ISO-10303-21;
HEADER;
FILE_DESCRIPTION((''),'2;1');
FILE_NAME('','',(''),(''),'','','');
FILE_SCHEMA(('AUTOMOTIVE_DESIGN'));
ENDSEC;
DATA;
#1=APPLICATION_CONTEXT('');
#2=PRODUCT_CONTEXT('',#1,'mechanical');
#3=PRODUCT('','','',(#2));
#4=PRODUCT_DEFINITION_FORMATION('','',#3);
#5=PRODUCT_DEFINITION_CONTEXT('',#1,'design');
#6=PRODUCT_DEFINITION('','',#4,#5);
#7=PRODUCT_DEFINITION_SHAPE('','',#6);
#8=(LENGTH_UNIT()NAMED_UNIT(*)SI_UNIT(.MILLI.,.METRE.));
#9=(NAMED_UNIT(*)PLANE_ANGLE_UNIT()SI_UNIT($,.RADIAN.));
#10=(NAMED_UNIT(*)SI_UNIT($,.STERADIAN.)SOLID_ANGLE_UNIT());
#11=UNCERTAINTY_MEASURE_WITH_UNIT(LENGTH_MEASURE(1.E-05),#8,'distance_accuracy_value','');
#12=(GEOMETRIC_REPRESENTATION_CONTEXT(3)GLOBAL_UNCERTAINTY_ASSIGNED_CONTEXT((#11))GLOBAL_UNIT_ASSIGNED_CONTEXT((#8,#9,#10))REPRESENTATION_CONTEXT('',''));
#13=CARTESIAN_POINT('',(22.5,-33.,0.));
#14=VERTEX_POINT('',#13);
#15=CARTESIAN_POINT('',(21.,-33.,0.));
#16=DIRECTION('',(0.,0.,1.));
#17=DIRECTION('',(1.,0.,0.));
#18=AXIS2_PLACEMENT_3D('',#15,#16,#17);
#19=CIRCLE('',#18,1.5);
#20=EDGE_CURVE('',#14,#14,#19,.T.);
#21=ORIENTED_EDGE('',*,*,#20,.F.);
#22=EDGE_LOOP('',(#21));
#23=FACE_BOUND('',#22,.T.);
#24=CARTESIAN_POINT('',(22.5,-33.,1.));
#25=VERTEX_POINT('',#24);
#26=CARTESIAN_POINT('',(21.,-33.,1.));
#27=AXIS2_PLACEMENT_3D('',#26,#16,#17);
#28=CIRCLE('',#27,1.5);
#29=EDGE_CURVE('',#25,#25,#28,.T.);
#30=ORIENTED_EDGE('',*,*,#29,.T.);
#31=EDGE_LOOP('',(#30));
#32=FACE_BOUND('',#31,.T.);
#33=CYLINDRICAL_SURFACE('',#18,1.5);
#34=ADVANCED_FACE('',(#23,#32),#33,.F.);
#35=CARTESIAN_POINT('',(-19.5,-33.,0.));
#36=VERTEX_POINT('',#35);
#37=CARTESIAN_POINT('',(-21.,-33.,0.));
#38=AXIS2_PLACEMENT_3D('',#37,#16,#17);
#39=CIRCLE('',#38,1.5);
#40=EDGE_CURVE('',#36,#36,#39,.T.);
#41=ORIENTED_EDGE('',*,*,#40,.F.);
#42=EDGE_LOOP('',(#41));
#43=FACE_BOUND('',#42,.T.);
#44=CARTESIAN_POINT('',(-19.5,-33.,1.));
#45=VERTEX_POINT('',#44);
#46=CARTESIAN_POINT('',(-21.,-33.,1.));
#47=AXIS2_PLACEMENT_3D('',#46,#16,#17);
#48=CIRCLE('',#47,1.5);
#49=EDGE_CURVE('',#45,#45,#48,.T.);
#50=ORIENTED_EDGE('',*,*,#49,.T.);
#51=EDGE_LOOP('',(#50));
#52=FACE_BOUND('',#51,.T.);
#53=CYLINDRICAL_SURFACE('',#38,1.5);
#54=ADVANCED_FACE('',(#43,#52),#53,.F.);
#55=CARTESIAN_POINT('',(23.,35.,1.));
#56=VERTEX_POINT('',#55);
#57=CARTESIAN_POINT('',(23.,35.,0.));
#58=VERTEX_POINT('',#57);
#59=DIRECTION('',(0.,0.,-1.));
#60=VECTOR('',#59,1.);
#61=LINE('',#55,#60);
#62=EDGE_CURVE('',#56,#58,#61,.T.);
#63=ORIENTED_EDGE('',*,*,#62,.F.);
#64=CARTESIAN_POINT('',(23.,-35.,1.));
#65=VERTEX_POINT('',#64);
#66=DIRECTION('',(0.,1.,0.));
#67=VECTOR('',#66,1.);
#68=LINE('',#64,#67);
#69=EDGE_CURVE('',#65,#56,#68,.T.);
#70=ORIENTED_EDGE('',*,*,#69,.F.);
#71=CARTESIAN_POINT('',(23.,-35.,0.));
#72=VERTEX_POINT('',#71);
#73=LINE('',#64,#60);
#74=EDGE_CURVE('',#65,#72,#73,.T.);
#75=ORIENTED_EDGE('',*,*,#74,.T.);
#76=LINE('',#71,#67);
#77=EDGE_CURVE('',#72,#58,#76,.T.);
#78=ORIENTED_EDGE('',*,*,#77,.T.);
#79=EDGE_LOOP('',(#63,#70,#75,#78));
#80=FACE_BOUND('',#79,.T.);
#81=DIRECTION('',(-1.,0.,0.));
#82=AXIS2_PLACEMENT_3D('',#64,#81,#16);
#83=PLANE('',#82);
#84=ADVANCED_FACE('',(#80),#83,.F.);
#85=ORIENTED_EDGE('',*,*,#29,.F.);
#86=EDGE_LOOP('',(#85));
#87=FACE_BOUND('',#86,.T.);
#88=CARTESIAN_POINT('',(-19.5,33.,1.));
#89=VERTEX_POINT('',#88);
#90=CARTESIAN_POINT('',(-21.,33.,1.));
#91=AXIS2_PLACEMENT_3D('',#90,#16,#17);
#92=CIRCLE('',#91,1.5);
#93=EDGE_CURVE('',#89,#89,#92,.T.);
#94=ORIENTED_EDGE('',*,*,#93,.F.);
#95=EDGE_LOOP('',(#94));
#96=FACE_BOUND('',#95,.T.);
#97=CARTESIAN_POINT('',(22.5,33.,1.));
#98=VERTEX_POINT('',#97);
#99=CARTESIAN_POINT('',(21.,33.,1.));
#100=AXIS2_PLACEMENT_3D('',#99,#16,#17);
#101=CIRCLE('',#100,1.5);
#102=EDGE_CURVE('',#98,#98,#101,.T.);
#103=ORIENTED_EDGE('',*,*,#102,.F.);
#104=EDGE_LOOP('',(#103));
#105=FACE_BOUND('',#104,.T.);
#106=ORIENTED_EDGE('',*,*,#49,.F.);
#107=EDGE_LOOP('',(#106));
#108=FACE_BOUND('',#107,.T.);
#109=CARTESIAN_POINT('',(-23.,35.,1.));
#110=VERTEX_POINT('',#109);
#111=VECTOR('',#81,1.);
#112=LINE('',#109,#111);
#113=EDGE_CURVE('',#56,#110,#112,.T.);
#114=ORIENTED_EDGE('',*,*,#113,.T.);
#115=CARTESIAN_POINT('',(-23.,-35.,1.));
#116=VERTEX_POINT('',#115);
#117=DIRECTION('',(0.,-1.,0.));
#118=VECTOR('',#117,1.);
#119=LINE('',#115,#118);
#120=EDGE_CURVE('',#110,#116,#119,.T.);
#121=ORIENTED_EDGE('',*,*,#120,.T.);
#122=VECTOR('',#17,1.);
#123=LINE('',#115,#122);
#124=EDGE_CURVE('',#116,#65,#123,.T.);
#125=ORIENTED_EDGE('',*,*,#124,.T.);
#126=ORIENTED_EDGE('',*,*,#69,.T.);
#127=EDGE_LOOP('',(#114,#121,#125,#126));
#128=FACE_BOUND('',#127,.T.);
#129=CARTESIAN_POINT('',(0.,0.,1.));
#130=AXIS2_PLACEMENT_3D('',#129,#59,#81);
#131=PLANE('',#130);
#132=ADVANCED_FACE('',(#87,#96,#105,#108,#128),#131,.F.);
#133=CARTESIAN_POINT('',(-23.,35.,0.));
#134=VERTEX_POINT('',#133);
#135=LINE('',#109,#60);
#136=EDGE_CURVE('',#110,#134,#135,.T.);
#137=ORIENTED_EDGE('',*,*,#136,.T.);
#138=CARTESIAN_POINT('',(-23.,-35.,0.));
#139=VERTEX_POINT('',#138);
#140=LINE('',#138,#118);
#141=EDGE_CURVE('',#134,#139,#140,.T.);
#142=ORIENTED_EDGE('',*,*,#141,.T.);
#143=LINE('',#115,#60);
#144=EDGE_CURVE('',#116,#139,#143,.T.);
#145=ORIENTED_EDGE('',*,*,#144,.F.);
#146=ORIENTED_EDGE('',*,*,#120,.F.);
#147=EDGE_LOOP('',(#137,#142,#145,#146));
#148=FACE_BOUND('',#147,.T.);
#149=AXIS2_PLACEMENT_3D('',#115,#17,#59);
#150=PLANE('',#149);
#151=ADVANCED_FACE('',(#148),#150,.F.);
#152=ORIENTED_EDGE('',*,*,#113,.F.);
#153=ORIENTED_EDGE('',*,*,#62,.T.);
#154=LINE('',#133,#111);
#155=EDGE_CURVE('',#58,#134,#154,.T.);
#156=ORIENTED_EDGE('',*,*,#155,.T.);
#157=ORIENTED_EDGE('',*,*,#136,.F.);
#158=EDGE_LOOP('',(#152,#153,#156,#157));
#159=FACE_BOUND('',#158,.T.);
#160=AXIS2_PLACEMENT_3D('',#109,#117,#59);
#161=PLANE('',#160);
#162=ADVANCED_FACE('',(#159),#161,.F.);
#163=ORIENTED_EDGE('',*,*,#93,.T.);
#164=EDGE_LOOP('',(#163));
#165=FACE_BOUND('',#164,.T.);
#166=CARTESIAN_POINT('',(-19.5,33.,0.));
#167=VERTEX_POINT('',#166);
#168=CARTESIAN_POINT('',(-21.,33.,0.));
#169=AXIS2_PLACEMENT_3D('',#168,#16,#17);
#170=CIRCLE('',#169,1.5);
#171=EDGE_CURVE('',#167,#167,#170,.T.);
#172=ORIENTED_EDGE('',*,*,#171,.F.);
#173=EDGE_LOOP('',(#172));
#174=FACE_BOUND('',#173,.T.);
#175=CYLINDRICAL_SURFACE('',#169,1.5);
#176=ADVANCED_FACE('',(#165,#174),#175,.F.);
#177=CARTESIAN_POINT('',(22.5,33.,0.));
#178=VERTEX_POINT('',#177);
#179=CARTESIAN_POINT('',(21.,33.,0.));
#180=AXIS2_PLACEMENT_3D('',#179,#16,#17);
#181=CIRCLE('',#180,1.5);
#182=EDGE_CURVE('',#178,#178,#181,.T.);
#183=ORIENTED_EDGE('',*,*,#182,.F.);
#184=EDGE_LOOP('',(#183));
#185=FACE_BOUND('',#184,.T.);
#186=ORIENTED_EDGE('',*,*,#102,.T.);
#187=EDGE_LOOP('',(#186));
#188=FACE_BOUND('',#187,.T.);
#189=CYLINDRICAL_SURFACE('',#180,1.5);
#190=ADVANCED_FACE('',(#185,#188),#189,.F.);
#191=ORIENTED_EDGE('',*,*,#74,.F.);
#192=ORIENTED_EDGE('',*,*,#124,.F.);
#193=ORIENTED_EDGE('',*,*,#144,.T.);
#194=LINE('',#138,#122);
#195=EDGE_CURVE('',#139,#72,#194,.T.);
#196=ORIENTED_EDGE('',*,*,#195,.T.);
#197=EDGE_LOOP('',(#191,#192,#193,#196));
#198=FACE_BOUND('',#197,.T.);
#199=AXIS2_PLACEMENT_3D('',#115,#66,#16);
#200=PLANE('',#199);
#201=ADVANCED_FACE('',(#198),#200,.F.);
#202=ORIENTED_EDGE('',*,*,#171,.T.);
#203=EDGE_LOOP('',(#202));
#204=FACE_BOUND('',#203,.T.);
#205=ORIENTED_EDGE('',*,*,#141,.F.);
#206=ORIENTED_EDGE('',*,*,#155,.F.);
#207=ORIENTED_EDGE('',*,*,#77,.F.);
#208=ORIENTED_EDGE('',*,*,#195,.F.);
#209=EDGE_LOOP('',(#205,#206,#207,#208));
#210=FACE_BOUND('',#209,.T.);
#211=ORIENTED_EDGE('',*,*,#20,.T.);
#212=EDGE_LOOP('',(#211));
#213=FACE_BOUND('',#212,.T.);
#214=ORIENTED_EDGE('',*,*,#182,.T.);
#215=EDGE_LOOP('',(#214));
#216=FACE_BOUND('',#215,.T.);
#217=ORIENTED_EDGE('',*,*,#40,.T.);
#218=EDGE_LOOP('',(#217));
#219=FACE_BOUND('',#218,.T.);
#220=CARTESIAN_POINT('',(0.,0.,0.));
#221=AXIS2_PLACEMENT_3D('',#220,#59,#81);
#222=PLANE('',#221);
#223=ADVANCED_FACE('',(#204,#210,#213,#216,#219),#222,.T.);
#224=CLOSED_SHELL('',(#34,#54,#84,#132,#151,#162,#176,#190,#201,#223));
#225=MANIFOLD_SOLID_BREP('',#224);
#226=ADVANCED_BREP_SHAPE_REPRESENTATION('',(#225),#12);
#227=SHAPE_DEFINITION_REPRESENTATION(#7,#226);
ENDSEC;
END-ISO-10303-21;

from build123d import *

# Parameters (mm, degrees)
CROQUIS1_W              = 46
CROQUIS1_H              = 70
SALIENTE_EXTRUIR1_DEPTH = 1
CROQUIS2_R              = 1.5
CORTAR_EXTRUIR1_DEPTH   = 1


with BuildPart() as part:
    # Croquis1 → Saliente-Extruir1 (new body)
    with BuildSketch(Plane.XY):
        Rectangle(CROQUIS1_W, CROQUIS1_H)
    extrude(amount=SALIENTE_EXTRUIR1_DEPTH)

    # Croquis2 → Cortar-Extruir1 (cut)
    with BuildSketch(Plane.XY.offset(1)):
        with Locations((-21, -33)):
            Circle(CROQUIS2_R)
        with Locations((21, -33)):
            Circle(CROQUIS2_R)
        with Locations((-21, 33)):
            Circle(CROQUIS2_R)
        with Locations((21, 33)):
            Circle(CROQUIS2_R)
    extrude(amount=-CORTAR_EXTRUIR1_DEPTH, mode=Mode.SUBTRACT)


solid = part.part
